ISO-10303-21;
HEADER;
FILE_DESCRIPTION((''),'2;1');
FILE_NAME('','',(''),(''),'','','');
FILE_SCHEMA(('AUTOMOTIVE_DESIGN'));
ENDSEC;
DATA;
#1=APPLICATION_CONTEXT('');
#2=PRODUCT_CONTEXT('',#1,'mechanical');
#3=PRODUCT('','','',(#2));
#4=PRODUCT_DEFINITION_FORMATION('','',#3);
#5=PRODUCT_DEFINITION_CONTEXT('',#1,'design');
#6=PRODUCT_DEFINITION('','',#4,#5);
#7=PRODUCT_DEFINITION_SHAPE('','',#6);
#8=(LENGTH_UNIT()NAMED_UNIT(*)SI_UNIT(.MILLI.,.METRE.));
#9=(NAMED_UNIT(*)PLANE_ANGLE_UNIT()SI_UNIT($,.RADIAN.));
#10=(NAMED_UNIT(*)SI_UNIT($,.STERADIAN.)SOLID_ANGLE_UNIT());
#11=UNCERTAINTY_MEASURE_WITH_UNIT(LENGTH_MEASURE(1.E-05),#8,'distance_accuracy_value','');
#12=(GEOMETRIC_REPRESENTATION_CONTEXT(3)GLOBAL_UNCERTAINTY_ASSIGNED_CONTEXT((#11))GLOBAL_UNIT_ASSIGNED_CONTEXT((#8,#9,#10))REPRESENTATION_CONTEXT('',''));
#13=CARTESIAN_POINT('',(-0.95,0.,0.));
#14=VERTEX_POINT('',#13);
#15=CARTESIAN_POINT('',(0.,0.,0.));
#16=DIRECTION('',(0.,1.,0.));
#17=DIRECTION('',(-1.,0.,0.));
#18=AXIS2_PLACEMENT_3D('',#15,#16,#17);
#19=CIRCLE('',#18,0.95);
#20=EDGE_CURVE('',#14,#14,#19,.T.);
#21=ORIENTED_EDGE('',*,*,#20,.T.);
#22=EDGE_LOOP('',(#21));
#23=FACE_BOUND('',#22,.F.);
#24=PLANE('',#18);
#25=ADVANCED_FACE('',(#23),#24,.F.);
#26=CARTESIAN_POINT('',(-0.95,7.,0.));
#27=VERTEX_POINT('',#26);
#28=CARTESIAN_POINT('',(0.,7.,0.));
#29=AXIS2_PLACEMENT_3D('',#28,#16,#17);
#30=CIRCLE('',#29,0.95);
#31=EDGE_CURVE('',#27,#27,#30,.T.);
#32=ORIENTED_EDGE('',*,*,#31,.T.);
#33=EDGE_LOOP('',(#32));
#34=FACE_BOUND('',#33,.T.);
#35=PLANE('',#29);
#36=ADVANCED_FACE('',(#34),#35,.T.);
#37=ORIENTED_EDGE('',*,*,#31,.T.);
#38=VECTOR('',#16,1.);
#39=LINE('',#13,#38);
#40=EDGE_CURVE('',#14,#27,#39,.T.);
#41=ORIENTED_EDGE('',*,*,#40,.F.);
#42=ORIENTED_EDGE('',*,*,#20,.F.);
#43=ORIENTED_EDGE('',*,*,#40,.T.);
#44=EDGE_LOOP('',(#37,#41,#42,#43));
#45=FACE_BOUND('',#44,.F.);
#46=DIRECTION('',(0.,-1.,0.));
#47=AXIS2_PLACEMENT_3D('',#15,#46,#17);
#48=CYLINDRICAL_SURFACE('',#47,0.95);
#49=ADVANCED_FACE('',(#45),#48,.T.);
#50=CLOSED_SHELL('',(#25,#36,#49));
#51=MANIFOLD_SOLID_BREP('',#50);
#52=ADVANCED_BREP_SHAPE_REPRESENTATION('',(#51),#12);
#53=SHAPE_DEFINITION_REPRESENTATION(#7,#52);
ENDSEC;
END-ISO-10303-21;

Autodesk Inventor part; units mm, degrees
ref_plane "YZ Plane" through (0, 0, 0) normal (1, 0, 0) x (0, 1, 0)
ref_plane "XZ Plane" through (0, 0, 0) normal (0, 1, 0) x (-1, 0, 0)
ref_plane "XY Plane" through (0, 0, 0) normal (0, 0, 1) x (1, 0, 0)
sketch "Sketch1" plane through (0, 0, 0) normal (0, 1, 0) x (-1, 0, 0)
  circle A0 centre (0, 0) radius 0.95
  dimension "d0" = 1.9
extrude "Extrusion1" add sketch "Sketch1" along normal blind 7
properties part number "FIN_dowel_pin_short"
